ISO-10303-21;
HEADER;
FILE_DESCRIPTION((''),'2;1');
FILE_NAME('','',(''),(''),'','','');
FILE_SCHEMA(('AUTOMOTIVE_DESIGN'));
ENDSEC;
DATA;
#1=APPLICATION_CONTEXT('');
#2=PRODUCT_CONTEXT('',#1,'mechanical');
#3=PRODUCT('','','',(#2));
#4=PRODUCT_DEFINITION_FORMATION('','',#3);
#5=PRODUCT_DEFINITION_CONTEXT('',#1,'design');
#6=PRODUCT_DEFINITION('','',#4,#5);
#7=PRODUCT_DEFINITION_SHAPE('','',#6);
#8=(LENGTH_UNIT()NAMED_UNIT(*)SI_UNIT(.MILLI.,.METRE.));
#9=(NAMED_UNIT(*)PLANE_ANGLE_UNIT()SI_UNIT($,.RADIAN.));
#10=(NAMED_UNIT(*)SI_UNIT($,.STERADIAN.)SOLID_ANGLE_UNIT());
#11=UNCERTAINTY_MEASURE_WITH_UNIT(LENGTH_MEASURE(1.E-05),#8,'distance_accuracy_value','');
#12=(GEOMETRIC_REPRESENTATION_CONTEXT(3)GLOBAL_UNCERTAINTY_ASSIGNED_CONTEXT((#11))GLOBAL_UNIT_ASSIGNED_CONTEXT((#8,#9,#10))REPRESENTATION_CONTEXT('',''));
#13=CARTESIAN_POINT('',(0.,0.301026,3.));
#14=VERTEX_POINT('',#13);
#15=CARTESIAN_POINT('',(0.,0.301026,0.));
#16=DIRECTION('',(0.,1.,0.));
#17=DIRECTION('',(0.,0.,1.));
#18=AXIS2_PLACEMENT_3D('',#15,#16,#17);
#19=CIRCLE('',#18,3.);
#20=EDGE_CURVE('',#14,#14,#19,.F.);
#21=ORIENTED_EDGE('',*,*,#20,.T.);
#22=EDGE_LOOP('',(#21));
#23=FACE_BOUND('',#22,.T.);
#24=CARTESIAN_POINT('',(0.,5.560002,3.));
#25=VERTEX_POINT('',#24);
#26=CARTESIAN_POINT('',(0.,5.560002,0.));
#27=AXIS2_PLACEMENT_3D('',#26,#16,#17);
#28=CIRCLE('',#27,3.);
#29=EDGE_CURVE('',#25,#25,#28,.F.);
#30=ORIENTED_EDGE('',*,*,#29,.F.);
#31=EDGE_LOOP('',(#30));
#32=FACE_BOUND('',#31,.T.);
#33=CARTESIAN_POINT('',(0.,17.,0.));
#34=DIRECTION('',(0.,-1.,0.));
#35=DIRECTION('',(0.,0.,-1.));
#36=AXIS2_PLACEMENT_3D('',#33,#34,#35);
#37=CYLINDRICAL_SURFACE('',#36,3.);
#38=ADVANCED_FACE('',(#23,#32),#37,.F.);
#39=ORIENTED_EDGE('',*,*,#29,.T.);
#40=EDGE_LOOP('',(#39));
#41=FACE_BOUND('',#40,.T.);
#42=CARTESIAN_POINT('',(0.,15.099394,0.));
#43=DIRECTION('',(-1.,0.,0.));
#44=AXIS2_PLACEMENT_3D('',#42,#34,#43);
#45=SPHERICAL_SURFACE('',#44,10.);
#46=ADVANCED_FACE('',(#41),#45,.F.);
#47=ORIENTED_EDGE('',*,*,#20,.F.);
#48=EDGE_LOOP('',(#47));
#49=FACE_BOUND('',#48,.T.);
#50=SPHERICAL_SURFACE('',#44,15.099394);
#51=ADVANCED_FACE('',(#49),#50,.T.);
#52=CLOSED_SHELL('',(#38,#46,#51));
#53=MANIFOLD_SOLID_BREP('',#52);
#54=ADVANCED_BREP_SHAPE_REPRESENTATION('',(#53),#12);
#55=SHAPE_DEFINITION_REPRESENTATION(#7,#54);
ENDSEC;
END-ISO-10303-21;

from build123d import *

# Parameters (mm, degrees)
SKETCH3_R          = 3
CUT_EXTRUDE1_DEPTH = 17


with BuildPart() as part:
    # Sketch2 → Revolve8 (revolve)
    with BuildSketch(Plane.XY):
        with BuildLine():
            Line((0, 25.099393897), (0, 30.198787793))
            ThreePointArc((0, 30.198787793), (-15.099393897, 15.099393897), (0, 0))
            Line((0, 0), (0, 5.099393897))
            ThreePointArc((0, 5.099393897), (-10, 15.099393897), (0, 25.099393897))
        make_face()
    revolve(axis=Axis((0, 0, 0), (0, 1, 0)))

    # Sketch3 → Cut-Extrude1 (cut)
    with BuildSketch(Plane(origin=(0, 0, 0), x_dir=(1, 0, 0), z_dir=(0, 1, 0))):
        Circle(SKETCH3_R)
    extrude(amount=CUT_EXTRUDE1_DEPTH, mode=Mode.SUBTRACT)


solid = part.part
